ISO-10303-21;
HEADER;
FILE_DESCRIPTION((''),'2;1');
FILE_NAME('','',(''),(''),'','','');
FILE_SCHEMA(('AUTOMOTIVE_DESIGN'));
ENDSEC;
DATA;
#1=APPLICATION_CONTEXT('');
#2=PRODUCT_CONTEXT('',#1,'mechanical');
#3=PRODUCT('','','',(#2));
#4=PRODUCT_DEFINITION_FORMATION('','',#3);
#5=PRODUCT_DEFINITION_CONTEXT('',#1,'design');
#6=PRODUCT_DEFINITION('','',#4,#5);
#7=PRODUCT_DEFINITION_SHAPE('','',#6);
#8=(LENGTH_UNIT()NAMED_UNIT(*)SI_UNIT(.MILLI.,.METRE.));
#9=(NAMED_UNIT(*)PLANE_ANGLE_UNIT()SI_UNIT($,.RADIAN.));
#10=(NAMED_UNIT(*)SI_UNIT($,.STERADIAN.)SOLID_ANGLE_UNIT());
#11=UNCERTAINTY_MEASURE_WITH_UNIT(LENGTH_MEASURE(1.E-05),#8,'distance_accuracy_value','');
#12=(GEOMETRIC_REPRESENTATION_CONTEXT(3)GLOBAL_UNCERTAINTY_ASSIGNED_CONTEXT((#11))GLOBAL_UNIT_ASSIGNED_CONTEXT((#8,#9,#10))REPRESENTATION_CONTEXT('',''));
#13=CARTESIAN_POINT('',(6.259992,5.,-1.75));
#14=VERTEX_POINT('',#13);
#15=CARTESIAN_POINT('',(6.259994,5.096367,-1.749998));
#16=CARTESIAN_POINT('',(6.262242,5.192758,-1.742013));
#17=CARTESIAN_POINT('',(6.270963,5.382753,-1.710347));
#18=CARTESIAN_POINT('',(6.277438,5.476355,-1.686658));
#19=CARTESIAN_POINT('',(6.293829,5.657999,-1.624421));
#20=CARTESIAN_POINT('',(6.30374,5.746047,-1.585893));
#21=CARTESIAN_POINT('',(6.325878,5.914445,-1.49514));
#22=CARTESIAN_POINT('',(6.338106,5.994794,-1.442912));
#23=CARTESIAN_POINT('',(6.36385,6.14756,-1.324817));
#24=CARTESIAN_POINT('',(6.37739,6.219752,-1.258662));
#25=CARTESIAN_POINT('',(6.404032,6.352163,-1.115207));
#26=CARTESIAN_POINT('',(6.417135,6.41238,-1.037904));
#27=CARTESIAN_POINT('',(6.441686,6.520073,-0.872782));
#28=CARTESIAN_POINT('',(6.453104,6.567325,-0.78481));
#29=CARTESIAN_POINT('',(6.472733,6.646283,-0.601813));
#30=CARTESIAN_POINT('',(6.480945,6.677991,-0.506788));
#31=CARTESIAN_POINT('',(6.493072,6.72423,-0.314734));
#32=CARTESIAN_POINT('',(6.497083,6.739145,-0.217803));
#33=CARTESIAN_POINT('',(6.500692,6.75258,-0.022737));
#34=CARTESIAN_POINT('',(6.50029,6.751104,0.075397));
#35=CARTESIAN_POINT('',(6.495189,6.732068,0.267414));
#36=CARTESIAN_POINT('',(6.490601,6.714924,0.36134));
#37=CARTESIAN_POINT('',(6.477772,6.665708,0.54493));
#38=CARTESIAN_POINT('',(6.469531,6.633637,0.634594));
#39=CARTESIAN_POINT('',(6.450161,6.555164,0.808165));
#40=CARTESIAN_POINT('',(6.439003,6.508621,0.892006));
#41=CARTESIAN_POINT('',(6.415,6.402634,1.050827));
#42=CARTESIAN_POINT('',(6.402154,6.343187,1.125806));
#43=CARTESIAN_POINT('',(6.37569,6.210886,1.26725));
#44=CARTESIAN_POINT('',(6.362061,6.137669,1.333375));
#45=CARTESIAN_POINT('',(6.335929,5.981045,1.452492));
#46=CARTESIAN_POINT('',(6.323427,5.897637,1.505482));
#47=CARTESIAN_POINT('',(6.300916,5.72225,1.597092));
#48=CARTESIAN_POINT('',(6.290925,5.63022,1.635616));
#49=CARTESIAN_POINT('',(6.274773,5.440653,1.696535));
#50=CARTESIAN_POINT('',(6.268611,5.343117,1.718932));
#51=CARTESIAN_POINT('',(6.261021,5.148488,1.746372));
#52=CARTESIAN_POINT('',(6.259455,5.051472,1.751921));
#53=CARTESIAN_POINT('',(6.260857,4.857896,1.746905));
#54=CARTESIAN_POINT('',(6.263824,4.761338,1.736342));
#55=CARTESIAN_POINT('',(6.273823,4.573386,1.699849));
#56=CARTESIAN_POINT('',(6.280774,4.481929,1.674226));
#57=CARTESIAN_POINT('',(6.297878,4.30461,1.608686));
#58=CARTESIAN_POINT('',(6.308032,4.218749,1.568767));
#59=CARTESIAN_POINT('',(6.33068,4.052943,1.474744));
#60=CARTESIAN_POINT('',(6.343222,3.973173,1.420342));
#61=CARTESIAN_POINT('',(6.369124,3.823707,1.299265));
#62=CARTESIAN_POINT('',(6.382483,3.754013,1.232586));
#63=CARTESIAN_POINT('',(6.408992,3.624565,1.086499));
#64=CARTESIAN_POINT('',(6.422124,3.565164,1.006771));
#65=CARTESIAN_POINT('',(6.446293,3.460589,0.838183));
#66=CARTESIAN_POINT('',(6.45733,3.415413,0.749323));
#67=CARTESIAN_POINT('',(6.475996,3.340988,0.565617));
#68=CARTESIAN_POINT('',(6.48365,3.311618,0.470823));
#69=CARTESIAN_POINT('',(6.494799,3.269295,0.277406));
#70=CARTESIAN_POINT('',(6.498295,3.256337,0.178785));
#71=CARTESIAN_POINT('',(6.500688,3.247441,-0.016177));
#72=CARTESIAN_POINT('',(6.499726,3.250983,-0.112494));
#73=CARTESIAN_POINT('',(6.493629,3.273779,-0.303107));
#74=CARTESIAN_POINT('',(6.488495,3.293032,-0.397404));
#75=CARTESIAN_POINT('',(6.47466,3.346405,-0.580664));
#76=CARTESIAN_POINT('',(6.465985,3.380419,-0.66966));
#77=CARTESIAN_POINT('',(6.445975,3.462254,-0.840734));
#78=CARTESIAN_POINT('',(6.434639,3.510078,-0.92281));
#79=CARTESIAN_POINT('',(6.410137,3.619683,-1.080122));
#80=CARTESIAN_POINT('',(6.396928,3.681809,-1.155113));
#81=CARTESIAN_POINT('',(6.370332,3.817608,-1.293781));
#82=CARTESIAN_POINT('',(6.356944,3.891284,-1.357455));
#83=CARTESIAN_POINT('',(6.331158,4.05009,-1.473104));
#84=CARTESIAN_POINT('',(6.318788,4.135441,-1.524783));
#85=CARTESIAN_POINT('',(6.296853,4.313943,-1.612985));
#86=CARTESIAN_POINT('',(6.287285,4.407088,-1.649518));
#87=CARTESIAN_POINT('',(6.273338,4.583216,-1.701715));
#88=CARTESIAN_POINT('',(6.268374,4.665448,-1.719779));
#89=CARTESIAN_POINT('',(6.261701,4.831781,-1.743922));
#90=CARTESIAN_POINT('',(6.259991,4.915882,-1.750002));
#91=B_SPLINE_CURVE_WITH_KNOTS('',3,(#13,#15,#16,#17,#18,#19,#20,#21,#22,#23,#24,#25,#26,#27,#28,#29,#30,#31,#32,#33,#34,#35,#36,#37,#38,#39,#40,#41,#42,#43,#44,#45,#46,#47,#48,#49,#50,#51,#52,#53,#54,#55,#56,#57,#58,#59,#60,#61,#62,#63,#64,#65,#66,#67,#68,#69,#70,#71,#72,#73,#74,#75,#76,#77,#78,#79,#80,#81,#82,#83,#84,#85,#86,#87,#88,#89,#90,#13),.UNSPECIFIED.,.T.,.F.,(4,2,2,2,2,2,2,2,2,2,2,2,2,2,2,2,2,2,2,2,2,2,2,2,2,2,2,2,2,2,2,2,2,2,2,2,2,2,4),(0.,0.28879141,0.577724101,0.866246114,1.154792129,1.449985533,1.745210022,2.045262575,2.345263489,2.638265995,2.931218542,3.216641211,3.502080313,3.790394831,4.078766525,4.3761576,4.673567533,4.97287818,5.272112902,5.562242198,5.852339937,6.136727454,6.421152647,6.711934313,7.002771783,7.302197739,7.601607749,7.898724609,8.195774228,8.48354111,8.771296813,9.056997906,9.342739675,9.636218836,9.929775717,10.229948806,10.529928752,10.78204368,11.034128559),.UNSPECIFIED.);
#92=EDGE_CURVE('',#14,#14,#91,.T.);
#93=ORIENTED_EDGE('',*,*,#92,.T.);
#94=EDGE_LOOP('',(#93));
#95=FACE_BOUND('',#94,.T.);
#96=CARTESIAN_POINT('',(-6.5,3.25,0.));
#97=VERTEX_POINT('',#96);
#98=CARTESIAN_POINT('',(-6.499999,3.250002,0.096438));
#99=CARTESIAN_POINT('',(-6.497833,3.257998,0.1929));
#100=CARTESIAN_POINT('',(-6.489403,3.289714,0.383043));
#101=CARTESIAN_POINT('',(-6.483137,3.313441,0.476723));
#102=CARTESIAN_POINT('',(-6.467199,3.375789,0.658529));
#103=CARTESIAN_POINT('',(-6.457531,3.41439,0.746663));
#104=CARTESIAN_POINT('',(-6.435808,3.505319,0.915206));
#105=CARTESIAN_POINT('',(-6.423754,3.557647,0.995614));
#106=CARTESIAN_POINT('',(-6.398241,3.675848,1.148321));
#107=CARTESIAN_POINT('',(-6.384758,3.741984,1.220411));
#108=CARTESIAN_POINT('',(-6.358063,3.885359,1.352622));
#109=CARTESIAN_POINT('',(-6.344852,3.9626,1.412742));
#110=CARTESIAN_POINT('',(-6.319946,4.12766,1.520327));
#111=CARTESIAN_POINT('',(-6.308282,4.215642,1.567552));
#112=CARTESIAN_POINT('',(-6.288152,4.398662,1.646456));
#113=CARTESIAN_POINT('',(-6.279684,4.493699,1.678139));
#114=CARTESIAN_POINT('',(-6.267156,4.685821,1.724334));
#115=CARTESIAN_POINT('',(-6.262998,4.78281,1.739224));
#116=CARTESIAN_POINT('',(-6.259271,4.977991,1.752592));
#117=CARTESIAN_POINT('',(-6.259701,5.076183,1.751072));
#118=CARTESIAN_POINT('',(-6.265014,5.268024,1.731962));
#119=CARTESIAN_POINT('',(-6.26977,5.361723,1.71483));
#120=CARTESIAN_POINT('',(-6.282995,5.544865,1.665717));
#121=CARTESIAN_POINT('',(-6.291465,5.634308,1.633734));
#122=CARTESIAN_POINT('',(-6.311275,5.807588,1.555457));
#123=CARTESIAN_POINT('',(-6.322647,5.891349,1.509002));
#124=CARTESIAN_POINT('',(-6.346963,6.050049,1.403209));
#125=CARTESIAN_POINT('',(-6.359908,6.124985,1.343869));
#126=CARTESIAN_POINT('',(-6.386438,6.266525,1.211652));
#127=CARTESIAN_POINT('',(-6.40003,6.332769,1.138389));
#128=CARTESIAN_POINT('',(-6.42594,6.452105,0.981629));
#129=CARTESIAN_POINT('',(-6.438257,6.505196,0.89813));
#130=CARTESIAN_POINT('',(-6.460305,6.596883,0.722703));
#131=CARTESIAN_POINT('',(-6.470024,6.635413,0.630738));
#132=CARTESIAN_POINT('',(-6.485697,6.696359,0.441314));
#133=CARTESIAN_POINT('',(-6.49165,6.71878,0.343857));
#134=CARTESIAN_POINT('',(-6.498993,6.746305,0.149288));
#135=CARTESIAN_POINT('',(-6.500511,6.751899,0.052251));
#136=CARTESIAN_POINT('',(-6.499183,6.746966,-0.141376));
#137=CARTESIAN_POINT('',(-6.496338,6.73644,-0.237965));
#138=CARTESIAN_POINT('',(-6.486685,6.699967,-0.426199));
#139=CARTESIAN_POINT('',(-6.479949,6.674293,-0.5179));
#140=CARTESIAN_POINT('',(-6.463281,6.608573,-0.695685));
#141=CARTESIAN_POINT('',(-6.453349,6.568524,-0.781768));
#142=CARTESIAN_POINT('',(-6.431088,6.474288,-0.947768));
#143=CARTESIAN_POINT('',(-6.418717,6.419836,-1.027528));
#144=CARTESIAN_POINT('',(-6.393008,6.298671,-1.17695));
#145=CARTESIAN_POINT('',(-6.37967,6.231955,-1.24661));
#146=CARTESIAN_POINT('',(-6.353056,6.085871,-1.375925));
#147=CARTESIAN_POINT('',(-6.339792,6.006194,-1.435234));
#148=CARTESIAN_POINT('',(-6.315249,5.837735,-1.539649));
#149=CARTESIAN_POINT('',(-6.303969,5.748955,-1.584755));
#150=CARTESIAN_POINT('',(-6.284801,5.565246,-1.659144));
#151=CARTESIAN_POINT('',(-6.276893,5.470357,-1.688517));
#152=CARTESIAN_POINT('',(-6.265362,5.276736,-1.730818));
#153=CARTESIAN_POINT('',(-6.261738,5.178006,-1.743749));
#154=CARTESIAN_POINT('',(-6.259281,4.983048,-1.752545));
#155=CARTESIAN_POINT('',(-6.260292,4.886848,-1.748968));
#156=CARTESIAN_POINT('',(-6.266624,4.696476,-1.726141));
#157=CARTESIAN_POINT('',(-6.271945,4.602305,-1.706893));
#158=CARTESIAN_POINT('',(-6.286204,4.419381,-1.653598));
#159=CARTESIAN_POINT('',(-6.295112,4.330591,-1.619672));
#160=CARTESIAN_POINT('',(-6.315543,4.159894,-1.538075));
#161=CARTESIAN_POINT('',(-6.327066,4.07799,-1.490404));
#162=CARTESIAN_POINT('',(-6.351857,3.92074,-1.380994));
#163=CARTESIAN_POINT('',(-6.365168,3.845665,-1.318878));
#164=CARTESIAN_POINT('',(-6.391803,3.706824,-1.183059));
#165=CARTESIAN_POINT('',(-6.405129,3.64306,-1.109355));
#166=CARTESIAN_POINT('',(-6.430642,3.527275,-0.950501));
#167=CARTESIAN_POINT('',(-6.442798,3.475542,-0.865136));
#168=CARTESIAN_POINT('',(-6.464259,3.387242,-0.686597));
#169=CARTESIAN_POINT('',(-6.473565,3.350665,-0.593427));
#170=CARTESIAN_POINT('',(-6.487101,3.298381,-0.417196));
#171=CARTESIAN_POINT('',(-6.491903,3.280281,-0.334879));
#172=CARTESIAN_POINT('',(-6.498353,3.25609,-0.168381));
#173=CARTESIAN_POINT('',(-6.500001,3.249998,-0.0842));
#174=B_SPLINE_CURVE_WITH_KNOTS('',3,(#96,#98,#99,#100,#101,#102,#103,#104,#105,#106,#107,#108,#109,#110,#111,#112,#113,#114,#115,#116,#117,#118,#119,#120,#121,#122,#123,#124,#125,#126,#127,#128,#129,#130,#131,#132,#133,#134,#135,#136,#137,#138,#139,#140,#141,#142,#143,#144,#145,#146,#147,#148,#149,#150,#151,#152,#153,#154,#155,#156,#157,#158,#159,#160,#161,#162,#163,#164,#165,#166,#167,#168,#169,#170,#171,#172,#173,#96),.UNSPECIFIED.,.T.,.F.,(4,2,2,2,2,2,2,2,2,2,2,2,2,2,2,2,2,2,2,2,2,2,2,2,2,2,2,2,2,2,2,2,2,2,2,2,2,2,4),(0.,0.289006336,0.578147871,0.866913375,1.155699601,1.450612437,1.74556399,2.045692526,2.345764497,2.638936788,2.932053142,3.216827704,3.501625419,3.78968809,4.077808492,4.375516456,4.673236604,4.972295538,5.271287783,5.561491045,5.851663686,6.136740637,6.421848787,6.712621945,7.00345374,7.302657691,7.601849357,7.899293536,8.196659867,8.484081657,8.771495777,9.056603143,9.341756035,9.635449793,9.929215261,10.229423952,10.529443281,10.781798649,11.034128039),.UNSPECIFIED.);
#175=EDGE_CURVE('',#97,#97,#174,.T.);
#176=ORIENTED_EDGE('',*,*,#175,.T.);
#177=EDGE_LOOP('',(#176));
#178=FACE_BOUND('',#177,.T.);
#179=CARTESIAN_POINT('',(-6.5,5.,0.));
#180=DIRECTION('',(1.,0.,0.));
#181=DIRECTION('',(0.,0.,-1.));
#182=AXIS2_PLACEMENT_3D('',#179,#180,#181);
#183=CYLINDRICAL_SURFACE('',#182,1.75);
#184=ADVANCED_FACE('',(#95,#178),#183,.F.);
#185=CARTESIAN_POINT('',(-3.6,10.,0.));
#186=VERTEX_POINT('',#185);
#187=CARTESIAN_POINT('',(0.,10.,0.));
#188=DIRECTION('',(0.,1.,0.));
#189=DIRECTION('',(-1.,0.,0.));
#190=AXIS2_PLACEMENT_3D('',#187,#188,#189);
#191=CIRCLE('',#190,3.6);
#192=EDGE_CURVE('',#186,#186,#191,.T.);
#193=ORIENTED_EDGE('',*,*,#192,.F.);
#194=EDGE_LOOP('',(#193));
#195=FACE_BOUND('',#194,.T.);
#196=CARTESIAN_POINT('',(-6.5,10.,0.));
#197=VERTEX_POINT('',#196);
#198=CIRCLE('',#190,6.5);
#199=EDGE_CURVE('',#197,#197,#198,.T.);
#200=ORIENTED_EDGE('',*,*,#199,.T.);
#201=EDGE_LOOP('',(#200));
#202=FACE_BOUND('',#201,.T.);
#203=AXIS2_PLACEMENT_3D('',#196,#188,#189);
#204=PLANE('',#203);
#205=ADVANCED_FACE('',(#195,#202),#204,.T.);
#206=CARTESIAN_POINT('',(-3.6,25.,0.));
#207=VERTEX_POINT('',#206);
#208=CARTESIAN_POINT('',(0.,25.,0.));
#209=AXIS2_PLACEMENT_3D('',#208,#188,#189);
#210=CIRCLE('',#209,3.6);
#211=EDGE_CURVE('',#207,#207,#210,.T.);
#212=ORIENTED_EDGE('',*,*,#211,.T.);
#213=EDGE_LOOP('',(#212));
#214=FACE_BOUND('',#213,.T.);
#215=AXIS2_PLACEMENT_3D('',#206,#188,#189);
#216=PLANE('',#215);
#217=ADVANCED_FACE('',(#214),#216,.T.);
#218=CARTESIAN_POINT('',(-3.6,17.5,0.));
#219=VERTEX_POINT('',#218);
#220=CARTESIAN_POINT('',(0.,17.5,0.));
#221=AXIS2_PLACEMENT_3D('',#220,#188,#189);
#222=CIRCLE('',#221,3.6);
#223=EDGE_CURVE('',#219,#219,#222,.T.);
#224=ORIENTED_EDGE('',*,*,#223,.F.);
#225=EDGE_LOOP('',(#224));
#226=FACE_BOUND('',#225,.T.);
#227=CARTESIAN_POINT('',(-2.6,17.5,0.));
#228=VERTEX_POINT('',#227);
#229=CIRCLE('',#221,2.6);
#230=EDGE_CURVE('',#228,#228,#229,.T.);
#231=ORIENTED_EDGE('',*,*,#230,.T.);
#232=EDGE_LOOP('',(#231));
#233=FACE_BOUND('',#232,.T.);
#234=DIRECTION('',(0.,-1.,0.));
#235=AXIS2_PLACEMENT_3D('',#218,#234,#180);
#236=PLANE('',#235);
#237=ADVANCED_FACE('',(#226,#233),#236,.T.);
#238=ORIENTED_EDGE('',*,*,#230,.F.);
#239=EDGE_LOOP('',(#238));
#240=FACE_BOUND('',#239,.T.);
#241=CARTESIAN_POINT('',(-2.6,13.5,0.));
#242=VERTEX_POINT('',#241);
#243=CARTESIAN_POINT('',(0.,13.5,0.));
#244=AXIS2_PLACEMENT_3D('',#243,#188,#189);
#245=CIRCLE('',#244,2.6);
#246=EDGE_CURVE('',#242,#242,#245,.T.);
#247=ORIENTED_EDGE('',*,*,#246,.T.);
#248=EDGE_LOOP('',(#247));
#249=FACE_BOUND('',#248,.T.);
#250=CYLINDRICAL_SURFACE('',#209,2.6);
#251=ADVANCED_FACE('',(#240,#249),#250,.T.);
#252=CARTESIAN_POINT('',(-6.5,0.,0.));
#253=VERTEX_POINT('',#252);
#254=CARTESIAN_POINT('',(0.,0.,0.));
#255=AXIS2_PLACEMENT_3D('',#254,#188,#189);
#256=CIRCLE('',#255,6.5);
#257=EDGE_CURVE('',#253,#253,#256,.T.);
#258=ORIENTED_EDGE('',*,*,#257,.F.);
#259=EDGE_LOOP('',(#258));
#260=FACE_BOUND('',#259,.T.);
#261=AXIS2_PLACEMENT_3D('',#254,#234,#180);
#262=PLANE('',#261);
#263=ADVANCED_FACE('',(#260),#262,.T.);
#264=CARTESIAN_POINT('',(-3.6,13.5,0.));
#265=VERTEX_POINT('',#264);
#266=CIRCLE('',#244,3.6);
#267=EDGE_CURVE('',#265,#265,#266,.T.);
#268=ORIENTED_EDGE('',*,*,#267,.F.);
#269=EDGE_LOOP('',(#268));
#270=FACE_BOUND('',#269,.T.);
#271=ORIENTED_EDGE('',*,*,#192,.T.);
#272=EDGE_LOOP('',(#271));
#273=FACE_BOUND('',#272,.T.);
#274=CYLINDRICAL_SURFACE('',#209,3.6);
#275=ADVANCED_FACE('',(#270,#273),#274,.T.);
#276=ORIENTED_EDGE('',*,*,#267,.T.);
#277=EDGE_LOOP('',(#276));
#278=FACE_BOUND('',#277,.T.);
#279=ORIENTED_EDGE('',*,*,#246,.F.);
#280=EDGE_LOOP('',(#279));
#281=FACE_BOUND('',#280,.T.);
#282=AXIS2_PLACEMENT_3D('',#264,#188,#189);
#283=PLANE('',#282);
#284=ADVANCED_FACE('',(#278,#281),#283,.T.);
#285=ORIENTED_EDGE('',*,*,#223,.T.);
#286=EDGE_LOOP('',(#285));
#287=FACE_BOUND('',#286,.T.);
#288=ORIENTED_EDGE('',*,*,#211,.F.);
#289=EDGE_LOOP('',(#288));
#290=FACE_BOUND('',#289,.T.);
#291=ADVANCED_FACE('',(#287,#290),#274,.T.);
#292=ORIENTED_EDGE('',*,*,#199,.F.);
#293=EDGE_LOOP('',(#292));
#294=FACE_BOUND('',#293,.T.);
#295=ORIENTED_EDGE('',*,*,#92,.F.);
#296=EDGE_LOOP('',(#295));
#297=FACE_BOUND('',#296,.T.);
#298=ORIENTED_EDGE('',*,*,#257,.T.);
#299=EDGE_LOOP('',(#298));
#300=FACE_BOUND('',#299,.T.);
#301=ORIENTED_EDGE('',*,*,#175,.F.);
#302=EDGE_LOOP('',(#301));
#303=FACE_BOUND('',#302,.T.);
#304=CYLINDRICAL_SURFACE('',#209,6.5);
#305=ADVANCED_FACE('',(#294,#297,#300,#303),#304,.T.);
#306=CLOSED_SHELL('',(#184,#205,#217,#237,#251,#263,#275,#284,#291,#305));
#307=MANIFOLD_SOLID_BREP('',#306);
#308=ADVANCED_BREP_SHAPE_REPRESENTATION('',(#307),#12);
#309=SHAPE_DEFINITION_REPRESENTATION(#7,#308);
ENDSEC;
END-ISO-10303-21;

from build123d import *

# Parameters (mm, degrees)
CUT_EXTRUDE1_DEPTH      = 27.636441204
CUT_EXTRUDE1_DEPTH_BACK = 27.636441204
SKETCH2_R               = 1.75


with BuildPart() as part:
    # Sketch1 → Revolve1 (revolve)
    with BuildSketch(Plane.XY):
        Polygon((0, 0), (-6.5, 0), (-6.5, 10), (-3.6, 10), (-3.6, 13.5), (-2.6, 13.5), (-2.6, 17.5), (-3.6, 17.5), (-3.6, 25), (0, 25), align=None)
    revolve(axis=Axis((0, 25, 0), (0, -1, 0)))

    # Sketch2 → Cut-Extrude1 (cut, two sides: drawn at the far end of the back side and taken through both)
    with BuildSketch(Plane(origin=(0, 0, 0), x_dir=(0, 0, -1), z_dir=(1, 0, 0)).offset(-CUT_EXTRUDE1_DEPTH_BACK)):
        with Locations((0, 5)):
            Circle(SKETCH2_R)
    extrude(amount=CUT_EXTRUDE1_DEPTH + CUT_EXTRUDE1_DEPTH_BACK, mode=Mode.SUBTRACT)


solid = part.part
